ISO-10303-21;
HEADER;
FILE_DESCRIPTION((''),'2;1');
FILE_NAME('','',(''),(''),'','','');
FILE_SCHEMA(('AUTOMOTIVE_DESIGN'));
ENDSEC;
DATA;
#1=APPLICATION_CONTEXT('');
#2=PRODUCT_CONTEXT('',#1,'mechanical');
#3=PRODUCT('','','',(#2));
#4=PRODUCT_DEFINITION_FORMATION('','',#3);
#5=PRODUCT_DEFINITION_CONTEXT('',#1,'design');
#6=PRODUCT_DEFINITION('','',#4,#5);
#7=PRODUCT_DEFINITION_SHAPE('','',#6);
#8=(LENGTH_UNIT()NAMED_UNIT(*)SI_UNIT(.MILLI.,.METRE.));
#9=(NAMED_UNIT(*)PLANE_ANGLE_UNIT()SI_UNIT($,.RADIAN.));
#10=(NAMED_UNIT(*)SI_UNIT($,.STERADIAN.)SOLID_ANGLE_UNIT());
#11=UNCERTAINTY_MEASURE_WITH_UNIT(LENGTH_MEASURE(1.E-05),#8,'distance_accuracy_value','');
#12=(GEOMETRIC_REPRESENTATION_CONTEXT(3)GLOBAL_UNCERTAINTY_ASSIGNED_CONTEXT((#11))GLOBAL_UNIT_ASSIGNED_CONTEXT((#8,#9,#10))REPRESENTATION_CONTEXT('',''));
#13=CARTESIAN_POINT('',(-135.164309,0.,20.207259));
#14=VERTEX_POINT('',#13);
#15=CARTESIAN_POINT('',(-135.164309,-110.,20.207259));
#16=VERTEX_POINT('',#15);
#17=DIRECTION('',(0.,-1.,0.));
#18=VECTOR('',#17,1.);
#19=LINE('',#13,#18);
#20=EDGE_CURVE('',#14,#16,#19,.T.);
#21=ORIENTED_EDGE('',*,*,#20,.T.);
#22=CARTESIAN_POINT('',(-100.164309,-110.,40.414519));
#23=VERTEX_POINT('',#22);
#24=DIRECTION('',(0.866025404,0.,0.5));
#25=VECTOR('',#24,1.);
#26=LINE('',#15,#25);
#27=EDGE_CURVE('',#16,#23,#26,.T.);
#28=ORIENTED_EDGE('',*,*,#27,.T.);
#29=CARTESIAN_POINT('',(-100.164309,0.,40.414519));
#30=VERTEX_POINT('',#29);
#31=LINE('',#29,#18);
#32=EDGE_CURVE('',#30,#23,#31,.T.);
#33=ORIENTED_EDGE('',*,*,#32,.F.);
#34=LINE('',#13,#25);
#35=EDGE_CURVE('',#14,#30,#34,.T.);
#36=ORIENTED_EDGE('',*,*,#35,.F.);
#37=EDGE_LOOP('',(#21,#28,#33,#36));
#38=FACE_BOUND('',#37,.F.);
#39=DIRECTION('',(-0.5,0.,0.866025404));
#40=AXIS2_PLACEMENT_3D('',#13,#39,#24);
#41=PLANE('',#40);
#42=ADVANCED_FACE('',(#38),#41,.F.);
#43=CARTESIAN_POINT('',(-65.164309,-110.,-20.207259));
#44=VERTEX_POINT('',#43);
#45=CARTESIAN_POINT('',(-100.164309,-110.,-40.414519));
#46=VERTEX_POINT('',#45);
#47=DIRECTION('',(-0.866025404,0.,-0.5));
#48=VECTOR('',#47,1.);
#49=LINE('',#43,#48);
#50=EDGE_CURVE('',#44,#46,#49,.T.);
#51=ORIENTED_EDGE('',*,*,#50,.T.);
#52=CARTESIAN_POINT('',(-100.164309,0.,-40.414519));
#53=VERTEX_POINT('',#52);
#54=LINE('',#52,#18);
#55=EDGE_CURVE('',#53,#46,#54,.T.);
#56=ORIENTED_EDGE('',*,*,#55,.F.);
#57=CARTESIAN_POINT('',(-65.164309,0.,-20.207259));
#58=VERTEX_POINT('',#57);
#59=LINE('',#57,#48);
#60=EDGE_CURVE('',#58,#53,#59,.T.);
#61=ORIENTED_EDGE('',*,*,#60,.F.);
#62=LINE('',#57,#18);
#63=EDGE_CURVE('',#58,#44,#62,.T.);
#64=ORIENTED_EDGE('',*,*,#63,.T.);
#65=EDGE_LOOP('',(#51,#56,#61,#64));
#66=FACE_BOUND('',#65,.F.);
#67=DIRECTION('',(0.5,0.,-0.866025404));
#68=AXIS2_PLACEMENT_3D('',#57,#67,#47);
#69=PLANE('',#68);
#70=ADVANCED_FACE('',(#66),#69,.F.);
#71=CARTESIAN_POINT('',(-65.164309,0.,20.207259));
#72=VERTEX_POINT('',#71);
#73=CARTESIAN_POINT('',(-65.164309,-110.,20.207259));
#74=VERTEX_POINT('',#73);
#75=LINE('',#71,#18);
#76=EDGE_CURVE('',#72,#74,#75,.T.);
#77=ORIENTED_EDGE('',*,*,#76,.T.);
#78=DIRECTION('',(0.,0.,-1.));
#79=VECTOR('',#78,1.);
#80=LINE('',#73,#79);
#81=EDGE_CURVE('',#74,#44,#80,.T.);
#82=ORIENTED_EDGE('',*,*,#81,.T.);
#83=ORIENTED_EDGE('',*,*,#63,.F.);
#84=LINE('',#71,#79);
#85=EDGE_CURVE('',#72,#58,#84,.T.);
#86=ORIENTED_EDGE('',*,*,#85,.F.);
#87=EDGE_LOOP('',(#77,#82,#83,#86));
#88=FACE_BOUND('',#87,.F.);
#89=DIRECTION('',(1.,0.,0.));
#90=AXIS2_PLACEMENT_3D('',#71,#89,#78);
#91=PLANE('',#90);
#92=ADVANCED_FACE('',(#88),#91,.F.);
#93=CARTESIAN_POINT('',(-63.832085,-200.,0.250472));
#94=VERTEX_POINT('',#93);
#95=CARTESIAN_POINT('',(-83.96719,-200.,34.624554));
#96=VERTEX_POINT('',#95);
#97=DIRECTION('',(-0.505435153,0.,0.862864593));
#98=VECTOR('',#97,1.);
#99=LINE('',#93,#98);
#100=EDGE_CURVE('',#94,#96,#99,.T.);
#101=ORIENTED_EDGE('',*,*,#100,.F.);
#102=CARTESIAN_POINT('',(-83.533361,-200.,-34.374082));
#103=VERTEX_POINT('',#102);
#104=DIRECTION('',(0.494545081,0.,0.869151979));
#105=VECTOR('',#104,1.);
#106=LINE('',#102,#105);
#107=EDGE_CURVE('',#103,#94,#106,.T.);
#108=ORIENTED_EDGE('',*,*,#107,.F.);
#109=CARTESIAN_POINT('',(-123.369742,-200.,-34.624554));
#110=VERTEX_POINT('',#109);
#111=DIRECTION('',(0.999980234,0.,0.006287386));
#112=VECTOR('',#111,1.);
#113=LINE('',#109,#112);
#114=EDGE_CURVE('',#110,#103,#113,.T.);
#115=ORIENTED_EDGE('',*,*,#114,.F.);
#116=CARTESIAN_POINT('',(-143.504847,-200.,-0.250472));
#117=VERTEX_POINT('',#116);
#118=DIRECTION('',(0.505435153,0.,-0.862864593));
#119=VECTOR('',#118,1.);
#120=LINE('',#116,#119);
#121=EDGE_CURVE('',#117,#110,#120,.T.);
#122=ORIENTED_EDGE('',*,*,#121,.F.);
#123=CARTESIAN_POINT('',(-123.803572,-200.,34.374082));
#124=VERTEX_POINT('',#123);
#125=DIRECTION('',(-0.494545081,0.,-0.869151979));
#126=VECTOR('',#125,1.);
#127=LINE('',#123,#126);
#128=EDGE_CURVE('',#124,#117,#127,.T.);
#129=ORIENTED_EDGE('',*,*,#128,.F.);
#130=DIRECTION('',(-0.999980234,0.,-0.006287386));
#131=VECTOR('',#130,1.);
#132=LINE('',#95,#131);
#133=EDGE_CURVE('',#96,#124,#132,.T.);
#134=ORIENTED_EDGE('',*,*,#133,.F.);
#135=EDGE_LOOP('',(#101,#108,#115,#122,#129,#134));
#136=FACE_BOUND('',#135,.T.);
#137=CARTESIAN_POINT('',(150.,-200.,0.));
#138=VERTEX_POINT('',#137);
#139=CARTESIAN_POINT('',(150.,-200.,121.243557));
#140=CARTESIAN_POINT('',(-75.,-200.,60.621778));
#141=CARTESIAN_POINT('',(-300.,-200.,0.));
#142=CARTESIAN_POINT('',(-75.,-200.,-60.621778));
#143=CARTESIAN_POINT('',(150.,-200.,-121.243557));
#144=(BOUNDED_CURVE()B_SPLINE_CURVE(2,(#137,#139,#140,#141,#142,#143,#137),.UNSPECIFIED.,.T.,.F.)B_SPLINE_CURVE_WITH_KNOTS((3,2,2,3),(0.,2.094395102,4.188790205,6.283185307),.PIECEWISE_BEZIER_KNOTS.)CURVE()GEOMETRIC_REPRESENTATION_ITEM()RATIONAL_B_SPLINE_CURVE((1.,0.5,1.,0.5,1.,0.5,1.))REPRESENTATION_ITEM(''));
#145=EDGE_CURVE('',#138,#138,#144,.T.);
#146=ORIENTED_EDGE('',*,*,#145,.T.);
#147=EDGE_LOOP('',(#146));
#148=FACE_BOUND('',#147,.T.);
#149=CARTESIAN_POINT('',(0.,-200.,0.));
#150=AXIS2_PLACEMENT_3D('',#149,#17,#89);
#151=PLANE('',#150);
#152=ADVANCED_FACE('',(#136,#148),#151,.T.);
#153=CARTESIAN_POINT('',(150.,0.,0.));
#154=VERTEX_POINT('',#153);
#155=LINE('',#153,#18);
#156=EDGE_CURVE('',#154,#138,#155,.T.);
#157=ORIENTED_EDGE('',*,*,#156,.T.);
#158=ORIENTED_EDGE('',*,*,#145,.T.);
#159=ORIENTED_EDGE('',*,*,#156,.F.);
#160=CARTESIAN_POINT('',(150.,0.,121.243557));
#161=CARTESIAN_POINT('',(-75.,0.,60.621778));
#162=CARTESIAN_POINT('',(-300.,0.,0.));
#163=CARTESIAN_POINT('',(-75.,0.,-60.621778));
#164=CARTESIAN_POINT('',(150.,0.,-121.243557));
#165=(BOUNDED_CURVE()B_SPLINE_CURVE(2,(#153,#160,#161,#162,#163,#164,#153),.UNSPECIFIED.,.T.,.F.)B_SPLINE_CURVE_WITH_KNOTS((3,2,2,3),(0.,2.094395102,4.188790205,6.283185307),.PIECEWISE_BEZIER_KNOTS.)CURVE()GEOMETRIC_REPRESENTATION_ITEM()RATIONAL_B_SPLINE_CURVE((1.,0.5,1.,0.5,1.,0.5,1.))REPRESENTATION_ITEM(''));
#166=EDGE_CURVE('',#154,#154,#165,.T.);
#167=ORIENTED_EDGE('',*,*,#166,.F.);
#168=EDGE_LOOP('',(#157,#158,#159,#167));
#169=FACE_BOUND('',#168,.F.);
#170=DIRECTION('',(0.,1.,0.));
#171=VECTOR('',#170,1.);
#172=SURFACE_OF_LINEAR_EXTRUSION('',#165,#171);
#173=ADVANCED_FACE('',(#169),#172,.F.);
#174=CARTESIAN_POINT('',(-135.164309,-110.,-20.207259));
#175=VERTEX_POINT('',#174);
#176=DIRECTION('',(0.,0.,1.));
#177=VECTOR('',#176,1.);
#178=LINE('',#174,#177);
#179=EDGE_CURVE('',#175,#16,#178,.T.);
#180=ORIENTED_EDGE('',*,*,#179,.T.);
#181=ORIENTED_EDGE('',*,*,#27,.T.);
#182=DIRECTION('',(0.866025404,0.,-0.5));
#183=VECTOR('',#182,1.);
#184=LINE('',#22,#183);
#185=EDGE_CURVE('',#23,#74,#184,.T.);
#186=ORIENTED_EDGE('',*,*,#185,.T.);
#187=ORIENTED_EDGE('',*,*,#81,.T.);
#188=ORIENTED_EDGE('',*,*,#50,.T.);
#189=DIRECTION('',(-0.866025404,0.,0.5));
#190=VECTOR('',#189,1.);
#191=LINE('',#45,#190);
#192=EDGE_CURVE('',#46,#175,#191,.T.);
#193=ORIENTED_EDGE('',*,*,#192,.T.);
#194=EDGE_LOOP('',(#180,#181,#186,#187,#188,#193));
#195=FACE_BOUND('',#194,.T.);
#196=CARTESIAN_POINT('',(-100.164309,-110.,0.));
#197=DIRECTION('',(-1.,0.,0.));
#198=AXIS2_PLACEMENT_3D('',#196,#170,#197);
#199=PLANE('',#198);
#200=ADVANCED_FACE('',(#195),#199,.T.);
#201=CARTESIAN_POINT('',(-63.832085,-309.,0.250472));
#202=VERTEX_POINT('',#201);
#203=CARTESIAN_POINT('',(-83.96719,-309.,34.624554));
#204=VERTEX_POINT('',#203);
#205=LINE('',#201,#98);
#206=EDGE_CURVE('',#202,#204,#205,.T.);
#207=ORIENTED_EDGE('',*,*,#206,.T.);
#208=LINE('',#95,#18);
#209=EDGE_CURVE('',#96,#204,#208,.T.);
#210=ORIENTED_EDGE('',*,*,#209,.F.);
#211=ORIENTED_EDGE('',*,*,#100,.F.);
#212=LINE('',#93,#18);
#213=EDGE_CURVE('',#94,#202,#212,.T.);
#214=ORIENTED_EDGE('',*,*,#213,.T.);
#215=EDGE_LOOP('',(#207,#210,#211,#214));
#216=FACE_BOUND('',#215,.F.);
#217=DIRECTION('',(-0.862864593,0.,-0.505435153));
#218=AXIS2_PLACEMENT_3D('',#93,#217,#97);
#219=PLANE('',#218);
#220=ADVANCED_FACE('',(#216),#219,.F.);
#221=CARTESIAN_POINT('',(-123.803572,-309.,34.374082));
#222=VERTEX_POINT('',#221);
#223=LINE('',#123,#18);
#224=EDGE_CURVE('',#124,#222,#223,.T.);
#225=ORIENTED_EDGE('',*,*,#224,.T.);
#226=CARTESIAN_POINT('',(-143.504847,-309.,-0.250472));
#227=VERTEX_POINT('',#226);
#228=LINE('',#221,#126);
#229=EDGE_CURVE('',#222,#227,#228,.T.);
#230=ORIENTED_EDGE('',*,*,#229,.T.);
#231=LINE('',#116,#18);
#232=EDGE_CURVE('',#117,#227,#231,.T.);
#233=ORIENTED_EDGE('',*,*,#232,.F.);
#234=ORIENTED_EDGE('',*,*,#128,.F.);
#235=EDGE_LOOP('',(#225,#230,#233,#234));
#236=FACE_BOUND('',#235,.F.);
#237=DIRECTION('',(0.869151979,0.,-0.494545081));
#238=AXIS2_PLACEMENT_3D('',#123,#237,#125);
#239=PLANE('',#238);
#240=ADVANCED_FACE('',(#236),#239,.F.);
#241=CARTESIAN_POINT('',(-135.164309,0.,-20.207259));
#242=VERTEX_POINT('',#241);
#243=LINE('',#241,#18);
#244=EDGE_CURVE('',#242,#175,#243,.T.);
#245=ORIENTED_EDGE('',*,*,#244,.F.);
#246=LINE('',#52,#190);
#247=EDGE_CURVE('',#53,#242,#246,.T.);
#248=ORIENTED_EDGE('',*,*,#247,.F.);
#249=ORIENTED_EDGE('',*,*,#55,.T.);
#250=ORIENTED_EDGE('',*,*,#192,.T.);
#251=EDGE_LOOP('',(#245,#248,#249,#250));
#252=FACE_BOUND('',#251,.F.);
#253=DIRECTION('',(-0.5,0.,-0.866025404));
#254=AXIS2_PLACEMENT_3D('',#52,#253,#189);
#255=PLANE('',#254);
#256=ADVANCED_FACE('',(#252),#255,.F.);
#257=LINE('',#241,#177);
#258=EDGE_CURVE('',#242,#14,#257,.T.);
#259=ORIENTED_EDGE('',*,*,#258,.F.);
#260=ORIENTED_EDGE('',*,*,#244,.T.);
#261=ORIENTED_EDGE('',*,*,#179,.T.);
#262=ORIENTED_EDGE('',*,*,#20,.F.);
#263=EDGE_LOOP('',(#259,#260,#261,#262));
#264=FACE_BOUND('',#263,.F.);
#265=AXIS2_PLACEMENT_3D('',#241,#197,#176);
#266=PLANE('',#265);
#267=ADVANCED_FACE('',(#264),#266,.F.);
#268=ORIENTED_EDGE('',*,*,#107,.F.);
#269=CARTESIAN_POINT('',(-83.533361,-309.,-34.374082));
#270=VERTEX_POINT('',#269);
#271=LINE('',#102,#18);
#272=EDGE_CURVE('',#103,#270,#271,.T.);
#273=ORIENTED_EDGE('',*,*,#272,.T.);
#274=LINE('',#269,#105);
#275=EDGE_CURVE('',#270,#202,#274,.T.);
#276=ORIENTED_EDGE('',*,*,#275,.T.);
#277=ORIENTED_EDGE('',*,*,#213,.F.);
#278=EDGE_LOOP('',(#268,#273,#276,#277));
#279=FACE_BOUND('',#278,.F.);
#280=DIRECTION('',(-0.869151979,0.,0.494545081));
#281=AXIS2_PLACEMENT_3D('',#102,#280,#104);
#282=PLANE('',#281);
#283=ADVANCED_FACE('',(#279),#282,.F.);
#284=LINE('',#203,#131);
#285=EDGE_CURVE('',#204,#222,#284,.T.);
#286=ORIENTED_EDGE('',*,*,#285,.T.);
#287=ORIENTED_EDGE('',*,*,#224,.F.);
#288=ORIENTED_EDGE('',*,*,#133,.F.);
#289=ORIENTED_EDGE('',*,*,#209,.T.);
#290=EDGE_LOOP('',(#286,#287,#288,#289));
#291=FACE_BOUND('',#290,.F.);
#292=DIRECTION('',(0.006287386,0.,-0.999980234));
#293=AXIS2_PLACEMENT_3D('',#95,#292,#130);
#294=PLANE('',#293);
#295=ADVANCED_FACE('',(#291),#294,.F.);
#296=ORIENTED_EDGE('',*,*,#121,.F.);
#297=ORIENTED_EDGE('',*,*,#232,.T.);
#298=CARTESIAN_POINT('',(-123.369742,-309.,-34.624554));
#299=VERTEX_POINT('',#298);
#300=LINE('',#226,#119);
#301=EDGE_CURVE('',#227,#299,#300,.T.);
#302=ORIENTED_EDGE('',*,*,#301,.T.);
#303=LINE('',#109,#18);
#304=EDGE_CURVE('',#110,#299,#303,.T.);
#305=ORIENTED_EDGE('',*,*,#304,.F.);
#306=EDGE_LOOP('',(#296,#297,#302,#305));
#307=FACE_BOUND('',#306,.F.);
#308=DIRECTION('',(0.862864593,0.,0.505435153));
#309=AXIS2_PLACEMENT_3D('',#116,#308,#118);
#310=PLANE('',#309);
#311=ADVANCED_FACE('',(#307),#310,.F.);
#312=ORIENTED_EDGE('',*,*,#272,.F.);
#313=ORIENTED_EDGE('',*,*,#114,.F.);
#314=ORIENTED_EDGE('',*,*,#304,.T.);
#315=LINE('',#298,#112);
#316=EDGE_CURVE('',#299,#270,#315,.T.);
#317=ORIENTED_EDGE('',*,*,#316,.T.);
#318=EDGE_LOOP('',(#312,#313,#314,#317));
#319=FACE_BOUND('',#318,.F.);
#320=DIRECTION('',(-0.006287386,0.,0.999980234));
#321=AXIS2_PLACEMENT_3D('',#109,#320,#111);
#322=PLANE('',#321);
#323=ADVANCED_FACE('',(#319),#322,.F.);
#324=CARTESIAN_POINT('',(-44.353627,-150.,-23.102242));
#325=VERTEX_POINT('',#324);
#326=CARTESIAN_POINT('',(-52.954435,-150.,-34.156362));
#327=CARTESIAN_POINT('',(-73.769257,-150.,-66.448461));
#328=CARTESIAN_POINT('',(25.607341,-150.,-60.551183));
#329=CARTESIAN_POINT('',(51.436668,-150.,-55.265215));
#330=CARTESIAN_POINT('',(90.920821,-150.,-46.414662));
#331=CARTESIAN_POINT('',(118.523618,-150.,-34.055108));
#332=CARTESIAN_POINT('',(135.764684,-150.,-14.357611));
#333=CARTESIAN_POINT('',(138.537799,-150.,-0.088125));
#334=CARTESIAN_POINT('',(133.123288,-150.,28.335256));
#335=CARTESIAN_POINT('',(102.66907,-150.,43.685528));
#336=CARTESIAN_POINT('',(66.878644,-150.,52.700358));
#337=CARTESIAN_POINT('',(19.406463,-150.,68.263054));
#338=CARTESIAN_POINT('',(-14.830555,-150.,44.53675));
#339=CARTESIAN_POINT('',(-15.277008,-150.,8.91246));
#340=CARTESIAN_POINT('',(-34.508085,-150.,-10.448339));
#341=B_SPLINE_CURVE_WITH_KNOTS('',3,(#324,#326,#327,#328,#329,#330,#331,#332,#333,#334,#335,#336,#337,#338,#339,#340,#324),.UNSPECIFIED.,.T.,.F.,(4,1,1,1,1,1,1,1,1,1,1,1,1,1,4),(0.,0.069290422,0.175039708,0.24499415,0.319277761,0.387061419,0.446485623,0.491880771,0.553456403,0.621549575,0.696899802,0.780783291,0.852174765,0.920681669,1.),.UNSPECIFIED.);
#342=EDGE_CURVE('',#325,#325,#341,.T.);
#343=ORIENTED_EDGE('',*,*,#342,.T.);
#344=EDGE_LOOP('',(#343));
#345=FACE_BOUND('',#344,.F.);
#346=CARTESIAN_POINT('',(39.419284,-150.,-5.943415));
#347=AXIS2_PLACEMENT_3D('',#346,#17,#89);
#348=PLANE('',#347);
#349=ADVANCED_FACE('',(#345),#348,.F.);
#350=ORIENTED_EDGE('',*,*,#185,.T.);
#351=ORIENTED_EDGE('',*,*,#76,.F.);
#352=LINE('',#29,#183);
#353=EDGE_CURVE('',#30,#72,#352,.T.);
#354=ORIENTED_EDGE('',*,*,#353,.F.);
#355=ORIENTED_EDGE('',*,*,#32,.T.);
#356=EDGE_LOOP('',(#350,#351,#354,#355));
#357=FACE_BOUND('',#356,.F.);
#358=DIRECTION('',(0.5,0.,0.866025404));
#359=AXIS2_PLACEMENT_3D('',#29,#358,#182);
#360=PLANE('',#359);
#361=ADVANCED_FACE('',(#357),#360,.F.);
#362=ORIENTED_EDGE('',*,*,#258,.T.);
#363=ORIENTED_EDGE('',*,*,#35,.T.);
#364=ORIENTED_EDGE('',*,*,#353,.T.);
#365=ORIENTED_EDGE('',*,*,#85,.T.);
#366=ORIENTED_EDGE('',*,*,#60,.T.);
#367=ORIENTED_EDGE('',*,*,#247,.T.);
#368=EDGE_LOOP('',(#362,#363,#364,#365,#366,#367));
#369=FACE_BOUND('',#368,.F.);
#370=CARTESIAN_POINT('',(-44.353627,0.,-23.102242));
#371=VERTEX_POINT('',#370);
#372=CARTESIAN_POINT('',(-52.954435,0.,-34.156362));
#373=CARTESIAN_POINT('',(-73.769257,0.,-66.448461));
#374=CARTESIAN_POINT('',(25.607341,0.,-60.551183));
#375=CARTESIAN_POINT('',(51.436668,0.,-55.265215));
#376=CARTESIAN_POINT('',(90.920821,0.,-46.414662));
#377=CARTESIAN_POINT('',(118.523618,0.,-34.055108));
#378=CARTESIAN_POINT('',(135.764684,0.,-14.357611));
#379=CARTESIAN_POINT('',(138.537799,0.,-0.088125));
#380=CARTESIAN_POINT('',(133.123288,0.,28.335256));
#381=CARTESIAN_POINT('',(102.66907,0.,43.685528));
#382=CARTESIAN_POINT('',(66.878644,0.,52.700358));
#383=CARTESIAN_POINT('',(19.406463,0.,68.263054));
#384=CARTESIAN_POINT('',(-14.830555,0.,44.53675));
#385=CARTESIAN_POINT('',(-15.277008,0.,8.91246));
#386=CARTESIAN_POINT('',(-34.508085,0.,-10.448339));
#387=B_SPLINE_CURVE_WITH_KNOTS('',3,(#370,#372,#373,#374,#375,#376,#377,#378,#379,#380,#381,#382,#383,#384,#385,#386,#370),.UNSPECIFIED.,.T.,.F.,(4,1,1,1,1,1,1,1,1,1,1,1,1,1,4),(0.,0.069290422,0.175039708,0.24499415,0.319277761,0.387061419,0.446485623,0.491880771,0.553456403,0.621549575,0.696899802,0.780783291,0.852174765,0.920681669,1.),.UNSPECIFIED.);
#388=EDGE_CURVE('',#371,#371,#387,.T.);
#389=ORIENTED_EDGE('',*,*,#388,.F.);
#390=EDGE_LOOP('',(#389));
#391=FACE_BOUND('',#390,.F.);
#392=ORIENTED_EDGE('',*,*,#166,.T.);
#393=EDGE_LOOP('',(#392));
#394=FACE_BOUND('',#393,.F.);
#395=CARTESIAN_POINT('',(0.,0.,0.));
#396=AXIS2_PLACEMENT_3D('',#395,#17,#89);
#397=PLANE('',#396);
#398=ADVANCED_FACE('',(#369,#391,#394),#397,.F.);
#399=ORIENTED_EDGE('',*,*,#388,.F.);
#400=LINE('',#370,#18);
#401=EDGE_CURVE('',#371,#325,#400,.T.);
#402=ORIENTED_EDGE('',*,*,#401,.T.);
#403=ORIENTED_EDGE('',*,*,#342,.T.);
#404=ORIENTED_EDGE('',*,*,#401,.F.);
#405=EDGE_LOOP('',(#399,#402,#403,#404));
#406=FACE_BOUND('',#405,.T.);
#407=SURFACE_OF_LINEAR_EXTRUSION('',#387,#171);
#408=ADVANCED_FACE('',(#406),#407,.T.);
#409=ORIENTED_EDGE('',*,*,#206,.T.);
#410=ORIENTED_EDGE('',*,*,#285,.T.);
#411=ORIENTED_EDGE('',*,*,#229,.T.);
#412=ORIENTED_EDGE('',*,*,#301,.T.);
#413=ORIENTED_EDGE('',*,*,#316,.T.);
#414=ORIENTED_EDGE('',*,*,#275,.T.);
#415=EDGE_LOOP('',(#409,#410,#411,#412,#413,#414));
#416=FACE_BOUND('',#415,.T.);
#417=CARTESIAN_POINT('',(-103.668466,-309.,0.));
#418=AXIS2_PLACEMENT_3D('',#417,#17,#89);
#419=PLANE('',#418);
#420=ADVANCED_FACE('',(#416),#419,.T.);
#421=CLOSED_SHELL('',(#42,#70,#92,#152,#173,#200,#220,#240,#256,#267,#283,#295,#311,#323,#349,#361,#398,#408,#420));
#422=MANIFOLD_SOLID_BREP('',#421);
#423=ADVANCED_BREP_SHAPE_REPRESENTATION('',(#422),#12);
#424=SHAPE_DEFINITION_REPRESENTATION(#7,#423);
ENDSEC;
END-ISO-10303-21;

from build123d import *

# Parameters (mm, degrees)
F1_DEPTH = 200
F3_DEPTH = 109
F5_DEPTH = 110
F7_DEPTH = 150


with BuildPart() as f1:
    # F0 (on Front) → F1 (new body)
    with BuildSketch(Plane.XZ):
        with BuildLine():
            add(Edge.make_bspline(
                [(150, 0), (150, 121.2435565298), (-75, 60.6217782649), (-300, 0), (-75, -60.6217782649), (150, -121.2435565298), (150, 0)],
                knots=[0, 0, 0, 2.0943951024, 2.0943951024, 4.1887902048, 4.1887902048, 6.2831853072, 6.2831853072, 6.2831853072], degree=2, weights=[1, 0.5, 1, 0.5, 1, 0.5, 1]))
        make_face()
    extrude(amount=F1_DEPTH)

    # F2 (on face) → F3 (join)
    with BuildSketch(Plane.XZ.offset(200)):
        Polygon((-83.5333608229, -34.3740822573), (-63.83208505, 0.2504716448), (-83.9671904375, 34.6245539021), (-123.8035715978, 34.3740822573), (-143.5048473707, -0.2504716448), (-123.3697419833, -34.6245539021), align=None)
    extrude(amount=F3_DEPTH)

    # F4 (on face) → F5 (cut)
    with BuildSketch(Plane(origin=(0, 0, 0), x_dir=(-1, 0, 0), z_dir=(0, 1, 0))):
        Polygon((135.164309144, -20.2072594216), (135.164309144, 20.2072594216), (100.164309144, 40.4145188433), (65.164309144, 20.2072594216), (65.164309144, -20.2072594216), (100.164309144, -40.4145188433), align=None)
    extrude(amount=-F5_DEPTH, mode=Mode.SUBTRACT)

    # F6 (on face) → F7 (cut)
    with BuildSketch(Plane(origin=(0, 0, 0), x_dir=(-1, 0, 0), z_dir=(0, 1, 0))):
        with BuildLine():
            add(Edge.make_bspline(
                [(44.3536266685, -23.1022424996), (52.9544348197, -34.1563620058), (73.7692574569, -66.4484611773), (-25.6073405061, -60.5511833627), (-51.4366682447, -55.265214578), (-90.9208210143, -46.4146624004), (-118.523618488, -34.0551080466), (-135.7646837897, -14.3576106227), (-138.5377993297, -0.0881254192), (-133.1232883358, 28.3352558589), (-102.6690695003, 43.6855284564), (-66.8786438898, 52.700358023), (-19.4064630693, 68.2630542358), (14.8305548312, 44.5367496987), (15.2770077241, 8.9124603237), (34.5080847872, -10.4483389774), (44.3536266685, -23.1022424996)],
                knots=[0, 0, 0, 0, 0.0692904216, 0.1750397077, 0.2449941504, 0.3192777608, 0.387061419, 0.4464856226, 0.491880771, 0.5534564026, 0.621549575, 0.6968998019, 0.7807832914, 0.8521747648, 0.920681669, 1, 1, 1, 1], degree=3))
        make_face()
    extrude(amount=-F7_DEPTH, mode=Mode.SUBTRACT)


solid = f1.part
